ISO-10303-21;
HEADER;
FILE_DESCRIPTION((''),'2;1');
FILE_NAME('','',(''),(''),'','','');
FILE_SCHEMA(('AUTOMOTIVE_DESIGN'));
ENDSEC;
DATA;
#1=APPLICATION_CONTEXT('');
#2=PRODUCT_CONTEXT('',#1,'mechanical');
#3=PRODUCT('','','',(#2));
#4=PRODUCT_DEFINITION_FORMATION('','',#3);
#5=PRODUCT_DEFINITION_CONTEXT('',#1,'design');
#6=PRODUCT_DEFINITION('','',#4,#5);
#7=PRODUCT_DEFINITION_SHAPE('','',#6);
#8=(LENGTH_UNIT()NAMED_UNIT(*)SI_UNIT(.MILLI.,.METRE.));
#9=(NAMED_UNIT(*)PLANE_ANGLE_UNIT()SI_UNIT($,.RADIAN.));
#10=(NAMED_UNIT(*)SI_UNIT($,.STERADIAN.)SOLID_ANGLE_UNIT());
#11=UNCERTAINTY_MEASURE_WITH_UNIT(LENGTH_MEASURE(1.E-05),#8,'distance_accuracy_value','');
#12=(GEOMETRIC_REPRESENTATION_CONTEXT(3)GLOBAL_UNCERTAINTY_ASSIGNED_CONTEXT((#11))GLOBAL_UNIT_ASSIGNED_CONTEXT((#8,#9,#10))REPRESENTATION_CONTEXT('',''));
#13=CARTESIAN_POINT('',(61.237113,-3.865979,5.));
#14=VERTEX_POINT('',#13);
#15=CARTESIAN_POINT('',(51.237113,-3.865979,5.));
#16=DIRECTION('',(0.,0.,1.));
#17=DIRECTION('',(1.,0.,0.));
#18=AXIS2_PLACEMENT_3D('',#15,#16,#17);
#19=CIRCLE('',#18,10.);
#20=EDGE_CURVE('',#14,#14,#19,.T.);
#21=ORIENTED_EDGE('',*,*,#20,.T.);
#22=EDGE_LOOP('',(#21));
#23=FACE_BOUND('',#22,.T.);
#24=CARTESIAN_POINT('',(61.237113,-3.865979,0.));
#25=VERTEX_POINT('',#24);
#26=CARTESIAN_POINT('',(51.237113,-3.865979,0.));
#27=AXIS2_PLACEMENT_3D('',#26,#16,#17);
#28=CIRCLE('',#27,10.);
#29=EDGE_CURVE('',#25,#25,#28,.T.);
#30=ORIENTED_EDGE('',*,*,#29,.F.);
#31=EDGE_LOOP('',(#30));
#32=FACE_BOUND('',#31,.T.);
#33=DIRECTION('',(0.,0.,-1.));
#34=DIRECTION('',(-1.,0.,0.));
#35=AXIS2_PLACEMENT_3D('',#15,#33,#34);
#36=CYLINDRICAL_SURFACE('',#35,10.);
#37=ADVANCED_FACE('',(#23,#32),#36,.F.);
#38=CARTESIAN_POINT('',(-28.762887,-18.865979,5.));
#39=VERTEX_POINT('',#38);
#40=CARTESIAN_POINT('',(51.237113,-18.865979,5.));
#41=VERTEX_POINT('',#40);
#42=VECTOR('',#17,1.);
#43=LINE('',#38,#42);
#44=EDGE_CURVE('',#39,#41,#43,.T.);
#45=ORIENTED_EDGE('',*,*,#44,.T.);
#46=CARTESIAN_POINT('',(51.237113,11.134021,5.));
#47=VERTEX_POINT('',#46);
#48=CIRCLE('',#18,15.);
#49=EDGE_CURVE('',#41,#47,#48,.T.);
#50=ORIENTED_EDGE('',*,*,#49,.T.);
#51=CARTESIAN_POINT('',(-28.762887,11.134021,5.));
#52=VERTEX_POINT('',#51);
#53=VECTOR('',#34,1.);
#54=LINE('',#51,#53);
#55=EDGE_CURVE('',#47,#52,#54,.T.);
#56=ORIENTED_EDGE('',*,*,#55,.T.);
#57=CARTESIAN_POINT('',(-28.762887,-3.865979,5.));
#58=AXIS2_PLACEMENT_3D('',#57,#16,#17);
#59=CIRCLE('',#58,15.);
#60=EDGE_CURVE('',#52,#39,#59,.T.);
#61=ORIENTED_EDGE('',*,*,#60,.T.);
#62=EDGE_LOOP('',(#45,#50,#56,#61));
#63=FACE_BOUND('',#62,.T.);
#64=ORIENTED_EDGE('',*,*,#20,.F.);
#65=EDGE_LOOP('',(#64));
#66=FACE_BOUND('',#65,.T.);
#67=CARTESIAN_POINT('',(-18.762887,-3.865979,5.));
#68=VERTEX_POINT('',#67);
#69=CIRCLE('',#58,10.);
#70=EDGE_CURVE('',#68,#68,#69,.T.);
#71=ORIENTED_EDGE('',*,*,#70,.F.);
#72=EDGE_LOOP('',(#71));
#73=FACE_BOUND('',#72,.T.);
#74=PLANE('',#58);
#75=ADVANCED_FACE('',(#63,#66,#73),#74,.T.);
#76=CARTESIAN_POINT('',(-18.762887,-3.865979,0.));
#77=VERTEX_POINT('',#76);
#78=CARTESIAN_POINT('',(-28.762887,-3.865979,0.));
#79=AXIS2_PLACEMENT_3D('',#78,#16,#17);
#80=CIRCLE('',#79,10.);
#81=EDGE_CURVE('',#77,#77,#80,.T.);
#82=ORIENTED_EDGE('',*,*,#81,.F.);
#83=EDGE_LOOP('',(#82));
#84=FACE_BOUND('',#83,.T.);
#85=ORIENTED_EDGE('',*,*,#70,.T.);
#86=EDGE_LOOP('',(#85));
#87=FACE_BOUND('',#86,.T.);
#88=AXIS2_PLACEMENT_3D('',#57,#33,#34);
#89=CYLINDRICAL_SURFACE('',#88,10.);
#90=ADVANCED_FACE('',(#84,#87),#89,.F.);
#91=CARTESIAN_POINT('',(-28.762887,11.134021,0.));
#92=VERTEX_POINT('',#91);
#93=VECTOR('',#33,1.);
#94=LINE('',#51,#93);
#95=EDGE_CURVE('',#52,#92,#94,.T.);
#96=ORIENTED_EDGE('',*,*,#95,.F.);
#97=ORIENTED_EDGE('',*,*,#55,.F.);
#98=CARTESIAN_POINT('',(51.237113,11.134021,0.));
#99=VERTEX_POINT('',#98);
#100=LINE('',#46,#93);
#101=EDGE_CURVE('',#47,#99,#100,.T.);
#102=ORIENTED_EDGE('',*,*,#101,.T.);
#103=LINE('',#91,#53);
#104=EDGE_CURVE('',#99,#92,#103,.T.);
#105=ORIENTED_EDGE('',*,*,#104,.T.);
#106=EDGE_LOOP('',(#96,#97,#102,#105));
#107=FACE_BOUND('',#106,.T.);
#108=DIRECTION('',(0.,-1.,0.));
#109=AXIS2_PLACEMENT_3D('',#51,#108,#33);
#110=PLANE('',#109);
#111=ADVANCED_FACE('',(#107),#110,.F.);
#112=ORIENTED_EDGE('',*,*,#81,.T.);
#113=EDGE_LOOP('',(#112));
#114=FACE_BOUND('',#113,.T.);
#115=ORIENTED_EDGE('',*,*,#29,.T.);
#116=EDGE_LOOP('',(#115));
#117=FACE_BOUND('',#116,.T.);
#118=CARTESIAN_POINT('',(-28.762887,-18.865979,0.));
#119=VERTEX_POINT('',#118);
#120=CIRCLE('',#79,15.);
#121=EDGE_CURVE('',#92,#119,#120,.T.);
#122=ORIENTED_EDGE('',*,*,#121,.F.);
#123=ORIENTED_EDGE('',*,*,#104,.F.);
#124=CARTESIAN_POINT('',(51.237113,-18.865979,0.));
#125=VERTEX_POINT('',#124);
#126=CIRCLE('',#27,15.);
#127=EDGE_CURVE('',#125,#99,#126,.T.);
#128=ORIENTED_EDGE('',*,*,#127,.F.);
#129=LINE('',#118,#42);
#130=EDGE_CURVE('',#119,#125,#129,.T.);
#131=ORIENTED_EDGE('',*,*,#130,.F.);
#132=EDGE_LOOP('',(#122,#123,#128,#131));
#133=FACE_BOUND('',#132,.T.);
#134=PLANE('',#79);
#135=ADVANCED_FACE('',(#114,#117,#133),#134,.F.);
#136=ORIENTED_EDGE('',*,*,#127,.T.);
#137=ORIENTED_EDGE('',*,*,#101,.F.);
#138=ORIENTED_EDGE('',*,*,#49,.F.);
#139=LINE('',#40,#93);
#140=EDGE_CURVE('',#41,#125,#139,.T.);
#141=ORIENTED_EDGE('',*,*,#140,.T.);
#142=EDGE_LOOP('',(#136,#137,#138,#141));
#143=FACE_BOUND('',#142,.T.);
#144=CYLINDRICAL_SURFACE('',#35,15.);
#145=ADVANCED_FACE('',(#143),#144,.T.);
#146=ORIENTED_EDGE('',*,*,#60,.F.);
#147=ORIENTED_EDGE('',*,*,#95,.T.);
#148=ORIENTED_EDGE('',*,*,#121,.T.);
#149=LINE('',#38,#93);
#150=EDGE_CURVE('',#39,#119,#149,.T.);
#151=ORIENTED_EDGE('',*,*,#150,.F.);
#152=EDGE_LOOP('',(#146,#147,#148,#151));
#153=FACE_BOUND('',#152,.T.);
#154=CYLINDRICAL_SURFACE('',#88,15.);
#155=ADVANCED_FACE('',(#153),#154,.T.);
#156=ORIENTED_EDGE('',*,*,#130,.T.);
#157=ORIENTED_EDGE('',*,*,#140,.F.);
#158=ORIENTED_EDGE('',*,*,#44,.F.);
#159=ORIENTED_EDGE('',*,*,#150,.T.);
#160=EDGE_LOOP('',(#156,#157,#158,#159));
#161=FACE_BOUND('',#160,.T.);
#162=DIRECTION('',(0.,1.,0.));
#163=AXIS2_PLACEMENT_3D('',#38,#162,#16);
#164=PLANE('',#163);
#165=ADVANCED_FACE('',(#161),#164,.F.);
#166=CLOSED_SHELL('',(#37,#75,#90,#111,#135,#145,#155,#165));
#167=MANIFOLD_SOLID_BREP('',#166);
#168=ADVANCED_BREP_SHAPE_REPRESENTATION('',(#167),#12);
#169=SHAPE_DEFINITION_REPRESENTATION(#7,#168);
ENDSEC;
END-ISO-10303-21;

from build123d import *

# Parameters (mm, degrees)
CROQUIS1_R              = 10
SALIENTE_EXTRUIR1_DEPTH = 5


with BuildPart() as part:
    # Croquis1 → Saliente-Extruir1 (new body)
    with BuildSketch(Plane.XY):
        with BuildLine():
            Line((-28.762886598, 11.134020619), (51.237113402, 11.134020619))
            ThreePointArc((51.237113402, 11.134020619), (66.237113402, -3.865979381), (51.237113402, -18.865979381))
            Line((51.237113402, -18.865979381), (-28.762886598, -18.865979381))
            ThreePointArc((-28.762886598, -18.865979381), (-43.762886598, -3.865979381), (-28.762886598, 11.134020619))
        make_face()
        with Locations((-28.762886598, -3.865979381)):
            Circle(CROQUIS1_R, mode=Mode.SUBTRACT)
        with Locations((51.237113402, -3.865979381)):
            Circle(CROQUIS1_R, mode=Mode.SUBTRACT)
    extrude(amount=SALIENTE_EXTRUIR1_DEPTH)


solid = part.part
